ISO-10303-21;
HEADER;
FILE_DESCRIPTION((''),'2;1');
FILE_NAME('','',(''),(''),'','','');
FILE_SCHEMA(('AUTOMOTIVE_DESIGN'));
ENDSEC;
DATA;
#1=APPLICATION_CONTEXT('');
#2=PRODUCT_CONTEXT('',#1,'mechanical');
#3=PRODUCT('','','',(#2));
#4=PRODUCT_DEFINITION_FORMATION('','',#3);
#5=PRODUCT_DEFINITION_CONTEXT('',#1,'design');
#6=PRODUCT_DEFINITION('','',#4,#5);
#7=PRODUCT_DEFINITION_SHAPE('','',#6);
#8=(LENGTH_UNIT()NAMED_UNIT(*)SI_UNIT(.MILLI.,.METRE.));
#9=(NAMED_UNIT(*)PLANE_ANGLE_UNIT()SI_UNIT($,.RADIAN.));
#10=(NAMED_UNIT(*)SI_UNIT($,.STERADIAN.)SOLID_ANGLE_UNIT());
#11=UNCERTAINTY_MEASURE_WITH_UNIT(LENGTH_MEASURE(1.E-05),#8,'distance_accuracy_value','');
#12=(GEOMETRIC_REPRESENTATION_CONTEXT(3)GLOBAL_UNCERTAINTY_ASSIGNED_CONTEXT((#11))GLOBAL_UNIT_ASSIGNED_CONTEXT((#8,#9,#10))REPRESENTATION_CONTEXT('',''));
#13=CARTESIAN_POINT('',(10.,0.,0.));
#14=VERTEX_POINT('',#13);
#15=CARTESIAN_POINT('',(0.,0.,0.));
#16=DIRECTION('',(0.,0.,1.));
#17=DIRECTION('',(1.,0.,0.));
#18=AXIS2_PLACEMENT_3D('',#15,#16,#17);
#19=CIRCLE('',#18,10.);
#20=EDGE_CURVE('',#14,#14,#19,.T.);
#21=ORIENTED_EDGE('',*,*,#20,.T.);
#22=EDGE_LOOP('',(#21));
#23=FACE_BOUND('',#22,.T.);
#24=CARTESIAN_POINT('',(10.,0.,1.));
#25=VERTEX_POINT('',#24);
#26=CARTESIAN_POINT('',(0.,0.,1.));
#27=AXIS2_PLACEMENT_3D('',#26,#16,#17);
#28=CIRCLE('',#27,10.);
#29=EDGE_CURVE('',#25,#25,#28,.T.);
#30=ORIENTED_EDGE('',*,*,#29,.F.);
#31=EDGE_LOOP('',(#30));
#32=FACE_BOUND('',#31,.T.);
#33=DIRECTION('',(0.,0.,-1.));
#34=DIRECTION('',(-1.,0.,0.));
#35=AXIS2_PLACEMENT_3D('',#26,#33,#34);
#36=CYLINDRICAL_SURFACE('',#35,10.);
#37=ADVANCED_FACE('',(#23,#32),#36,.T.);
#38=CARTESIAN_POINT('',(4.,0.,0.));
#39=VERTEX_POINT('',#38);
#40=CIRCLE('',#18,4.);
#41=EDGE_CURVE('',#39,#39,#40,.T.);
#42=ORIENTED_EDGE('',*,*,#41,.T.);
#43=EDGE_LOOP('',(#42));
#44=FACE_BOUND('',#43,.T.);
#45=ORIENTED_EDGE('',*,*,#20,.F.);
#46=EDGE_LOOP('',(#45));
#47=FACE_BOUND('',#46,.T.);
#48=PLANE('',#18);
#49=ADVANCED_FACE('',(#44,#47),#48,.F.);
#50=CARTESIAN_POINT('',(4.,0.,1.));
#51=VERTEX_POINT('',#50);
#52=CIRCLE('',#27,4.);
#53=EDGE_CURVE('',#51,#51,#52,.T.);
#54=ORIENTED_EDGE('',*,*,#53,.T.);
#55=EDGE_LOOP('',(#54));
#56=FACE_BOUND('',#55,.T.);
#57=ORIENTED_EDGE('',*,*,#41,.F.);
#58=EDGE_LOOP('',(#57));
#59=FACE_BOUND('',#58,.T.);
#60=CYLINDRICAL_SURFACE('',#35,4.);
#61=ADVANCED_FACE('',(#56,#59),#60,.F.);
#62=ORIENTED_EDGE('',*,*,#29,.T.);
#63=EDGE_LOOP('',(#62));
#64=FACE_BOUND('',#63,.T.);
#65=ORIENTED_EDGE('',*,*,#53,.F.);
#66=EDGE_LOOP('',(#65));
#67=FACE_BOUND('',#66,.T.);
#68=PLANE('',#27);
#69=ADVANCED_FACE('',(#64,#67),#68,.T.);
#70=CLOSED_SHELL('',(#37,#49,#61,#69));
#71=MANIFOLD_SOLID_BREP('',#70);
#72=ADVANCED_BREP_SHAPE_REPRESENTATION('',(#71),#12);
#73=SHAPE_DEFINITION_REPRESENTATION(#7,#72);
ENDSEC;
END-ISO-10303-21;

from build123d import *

# Parameters (mm, degrees)
ESBO_O1_R                = 10
ESBO_O1_R_2              = 4
RESSALTO_EXTRUS_O1_DEPTH = 1


with BuildPart() as part:
    # Esboço1 → Ressalto-extrusão1 (new body)
    with BuildSketch(Plane.XY):
        Circle(ESBO_O1_R)
        Circle(ESBO_O1_R_2, mode=Mode.SUBTRACT)
    extrude(amount=RESSALTO_EXTRUS_O1_DEPTH)


solid = part.part
